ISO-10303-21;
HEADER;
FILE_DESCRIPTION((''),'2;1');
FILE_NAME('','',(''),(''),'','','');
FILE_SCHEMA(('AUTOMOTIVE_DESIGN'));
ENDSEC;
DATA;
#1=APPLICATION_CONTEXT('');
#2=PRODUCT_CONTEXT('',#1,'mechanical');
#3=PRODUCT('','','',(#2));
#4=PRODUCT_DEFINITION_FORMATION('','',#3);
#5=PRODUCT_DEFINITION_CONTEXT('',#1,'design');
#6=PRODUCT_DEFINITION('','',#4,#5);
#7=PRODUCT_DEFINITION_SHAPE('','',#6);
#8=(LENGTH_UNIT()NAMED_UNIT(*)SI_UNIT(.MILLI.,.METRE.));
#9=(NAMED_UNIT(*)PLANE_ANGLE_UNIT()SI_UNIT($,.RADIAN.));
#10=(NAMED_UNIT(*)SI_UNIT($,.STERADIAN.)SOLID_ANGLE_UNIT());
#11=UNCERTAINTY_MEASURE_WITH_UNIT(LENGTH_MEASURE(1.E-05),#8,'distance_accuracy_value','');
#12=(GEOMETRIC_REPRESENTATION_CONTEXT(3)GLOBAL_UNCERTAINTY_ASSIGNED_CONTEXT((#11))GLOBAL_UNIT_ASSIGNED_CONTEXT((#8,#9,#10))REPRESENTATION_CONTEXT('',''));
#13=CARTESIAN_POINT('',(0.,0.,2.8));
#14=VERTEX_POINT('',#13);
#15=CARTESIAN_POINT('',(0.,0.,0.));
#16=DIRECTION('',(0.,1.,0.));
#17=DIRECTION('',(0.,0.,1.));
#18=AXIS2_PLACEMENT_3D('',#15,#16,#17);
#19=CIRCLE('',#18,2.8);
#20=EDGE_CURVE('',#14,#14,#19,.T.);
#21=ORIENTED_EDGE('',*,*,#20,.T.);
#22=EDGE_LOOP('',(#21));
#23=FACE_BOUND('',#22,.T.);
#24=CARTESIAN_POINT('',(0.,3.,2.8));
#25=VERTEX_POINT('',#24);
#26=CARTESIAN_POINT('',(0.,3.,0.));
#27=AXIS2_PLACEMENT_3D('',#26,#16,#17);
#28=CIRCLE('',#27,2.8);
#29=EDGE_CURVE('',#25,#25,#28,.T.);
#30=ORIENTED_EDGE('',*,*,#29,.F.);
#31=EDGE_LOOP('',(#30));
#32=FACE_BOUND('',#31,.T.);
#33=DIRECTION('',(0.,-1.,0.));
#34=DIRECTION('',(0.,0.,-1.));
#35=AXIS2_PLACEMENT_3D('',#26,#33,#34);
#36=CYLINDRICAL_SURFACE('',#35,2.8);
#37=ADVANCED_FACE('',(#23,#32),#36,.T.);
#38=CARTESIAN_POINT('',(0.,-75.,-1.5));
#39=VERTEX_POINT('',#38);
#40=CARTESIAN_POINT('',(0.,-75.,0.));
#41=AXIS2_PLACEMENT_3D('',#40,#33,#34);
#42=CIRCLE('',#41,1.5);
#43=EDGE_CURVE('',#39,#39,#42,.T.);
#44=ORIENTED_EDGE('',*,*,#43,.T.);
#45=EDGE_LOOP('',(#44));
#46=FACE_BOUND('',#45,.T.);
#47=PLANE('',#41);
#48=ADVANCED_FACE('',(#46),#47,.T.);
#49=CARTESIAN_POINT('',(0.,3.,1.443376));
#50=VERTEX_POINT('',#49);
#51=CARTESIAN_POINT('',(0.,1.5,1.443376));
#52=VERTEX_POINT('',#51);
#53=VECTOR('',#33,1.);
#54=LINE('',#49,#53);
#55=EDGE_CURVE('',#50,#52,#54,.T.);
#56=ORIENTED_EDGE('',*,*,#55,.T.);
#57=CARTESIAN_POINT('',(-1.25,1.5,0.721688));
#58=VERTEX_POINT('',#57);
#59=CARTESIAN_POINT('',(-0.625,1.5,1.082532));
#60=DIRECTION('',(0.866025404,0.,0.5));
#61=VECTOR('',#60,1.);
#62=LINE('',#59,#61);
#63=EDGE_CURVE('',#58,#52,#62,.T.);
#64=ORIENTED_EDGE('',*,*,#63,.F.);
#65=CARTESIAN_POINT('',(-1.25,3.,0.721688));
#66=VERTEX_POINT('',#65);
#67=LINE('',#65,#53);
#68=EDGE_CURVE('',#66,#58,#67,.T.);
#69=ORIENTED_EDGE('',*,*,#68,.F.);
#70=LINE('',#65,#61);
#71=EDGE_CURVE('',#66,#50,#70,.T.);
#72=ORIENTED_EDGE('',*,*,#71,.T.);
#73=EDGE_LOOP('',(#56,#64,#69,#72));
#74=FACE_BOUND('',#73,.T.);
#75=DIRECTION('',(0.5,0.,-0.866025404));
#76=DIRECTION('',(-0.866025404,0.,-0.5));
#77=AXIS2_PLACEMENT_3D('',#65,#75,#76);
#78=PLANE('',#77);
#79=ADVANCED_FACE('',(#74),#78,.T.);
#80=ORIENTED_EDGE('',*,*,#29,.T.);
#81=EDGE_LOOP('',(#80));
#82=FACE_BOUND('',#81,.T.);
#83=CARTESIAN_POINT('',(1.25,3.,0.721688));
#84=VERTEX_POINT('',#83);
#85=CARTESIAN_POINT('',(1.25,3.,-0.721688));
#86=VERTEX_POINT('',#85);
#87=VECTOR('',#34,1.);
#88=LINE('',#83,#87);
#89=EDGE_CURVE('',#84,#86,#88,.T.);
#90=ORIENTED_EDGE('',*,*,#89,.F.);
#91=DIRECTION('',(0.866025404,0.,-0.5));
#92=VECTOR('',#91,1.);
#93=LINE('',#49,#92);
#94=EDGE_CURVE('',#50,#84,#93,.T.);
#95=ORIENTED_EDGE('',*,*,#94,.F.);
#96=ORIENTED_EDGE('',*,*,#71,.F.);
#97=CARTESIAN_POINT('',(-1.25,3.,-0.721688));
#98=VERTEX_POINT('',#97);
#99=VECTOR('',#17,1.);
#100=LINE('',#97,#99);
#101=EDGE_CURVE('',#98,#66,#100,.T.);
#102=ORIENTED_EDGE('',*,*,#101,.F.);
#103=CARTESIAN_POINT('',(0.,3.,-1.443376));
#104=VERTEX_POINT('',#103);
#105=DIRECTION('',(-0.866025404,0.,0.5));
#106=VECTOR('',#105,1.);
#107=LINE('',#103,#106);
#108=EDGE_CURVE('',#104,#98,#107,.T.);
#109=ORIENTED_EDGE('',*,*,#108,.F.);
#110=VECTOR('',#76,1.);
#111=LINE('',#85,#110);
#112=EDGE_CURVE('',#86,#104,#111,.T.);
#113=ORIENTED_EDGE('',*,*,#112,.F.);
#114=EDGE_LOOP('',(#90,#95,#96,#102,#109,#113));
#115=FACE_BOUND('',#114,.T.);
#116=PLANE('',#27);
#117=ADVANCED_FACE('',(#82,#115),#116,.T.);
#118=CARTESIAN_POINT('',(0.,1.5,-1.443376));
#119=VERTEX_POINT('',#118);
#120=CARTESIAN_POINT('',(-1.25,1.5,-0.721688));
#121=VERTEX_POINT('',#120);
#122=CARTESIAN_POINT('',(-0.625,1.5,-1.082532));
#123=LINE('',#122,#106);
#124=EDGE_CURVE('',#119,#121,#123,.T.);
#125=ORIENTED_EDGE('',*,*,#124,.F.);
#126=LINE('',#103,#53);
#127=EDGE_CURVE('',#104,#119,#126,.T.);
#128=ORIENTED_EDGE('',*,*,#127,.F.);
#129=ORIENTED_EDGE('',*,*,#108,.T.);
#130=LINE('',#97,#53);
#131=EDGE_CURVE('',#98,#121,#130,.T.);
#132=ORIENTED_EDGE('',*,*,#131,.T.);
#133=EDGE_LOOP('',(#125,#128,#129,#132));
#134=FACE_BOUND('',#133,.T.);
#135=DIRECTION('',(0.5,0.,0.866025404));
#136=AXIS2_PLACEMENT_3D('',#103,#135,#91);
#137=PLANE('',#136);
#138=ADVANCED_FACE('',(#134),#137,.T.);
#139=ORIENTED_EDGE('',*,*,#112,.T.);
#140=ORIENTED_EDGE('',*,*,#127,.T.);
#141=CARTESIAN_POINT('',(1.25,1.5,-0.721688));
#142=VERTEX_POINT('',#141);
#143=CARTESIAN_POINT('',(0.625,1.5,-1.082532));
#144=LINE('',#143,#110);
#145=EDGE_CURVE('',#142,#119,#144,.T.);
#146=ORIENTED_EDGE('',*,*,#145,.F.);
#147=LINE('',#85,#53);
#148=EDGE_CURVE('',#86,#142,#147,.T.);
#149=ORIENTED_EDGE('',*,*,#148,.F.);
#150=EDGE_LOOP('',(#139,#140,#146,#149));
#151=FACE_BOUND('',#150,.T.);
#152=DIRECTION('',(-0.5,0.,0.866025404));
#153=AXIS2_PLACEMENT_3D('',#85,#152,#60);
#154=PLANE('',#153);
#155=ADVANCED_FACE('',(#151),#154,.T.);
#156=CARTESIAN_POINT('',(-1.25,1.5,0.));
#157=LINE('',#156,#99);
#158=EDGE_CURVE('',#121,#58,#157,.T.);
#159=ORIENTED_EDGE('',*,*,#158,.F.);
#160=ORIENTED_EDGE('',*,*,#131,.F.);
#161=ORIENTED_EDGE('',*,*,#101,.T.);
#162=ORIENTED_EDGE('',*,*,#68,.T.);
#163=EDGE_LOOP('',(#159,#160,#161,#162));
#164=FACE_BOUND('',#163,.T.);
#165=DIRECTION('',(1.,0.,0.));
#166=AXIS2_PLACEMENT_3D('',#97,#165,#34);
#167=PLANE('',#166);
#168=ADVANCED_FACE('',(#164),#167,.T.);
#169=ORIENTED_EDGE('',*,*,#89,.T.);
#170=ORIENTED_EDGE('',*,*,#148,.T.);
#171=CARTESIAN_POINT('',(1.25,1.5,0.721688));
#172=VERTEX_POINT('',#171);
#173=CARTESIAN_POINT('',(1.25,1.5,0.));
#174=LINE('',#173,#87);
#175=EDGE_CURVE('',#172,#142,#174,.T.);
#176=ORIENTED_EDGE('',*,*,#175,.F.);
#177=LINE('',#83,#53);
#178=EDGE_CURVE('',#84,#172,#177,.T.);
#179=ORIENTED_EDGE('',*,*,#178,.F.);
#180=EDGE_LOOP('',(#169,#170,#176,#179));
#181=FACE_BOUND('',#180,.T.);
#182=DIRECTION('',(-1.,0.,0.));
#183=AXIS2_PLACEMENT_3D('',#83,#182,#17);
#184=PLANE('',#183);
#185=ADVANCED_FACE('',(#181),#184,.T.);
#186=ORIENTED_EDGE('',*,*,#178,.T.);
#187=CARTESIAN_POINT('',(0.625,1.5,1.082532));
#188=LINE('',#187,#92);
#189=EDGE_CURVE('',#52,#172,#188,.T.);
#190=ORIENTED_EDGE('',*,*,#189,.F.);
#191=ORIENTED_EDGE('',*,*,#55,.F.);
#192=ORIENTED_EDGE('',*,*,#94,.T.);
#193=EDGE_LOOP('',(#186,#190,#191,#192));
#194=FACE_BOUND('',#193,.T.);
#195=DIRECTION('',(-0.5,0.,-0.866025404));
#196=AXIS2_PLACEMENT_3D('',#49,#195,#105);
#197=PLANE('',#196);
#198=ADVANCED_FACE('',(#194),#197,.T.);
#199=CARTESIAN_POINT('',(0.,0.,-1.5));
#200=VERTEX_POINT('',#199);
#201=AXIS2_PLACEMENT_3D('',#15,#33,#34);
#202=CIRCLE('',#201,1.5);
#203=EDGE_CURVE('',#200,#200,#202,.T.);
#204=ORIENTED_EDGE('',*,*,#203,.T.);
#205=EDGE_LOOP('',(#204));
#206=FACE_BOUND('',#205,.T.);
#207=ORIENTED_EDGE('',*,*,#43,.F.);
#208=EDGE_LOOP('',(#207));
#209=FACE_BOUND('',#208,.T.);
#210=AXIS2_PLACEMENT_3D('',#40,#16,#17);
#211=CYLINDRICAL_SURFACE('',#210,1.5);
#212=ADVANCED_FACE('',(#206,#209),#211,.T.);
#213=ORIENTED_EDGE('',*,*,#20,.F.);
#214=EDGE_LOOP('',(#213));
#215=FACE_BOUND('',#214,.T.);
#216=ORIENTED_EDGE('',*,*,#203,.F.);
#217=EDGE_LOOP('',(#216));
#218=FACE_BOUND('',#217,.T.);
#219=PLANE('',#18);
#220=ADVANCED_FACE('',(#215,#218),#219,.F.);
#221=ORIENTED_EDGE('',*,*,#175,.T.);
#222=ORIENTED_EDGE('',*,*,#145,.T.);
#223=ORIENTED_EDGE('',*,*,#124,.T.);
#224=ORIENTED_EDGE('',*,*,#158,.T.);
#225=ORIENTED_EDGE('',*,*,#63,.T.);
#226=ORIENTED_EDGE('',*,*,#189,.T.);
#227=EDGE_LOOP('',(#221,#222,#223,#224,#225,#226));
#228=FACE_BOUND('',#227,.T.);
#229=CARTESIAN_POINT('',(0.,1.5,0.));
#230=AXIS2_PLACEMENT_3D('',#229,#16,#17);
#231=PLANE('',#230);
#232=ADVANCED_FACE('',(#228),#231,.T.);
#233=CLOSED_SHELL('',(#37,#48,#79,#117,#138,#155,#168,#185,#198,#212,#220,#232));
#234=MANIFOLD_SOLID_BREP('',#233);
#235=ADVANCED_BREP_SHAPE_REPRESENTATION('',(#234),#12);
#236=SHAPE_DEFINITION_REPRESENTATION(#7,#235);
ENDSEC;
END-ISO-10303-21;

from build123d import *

# Parameters (mm, degrees)
SKETCH_1_R      = 2.8
EXTRUDE_1_DEPTH = 3
EXTRUDE_2_DEPTH = 1.5
SKETCH_2_R      = 1.5
EXTRUDE_3_DEPTH = 75


with BuildPart() as part:
    # 草图1 → 凸台-拉伸1 (new body)
    with BuildSketch(Plane(origin=(0, 0, 0), x_dir=(1, 0, 0), z_dir=(0, 1, 0))):
        Circle(SKETCH_1_R)
        Polygon((1.25, -0.721687836), (1.25, 0.721687836), (0, 1.443375673), (-1.25, 0.721687836), (-1.25, -0.721687836), (0, -1.443375673), align=None, mode=Mode.SUBTRACT)
    extrude(amount=EXTRUDE_1_DEPTH)

    # 草图1<2> → 凸台-拉伸2 (add)
    with BuildSketch(Plane(origin=(0, 0, 0), x_dir=(1, 0, 0), z_dir=(0, 1, 0))):
        Polygon((0, -1.443375673), (1.25, -0.721687836), (1.25, 0.721687836), (0, 1.443375673), (-1.25, 0.721687836), (-1.25, -0.721687836), align=None)
    extrude(amount=EXTRUDE_2_DEPTH)

    # 草图2 → 凸台-拉伸3 (add)
    with BuildSketch(Plane.XZ):
        Circle(SKETCH_2_R)
    extrude(amount=EXTRUDE_3_DEPTH)


solid = part.part
